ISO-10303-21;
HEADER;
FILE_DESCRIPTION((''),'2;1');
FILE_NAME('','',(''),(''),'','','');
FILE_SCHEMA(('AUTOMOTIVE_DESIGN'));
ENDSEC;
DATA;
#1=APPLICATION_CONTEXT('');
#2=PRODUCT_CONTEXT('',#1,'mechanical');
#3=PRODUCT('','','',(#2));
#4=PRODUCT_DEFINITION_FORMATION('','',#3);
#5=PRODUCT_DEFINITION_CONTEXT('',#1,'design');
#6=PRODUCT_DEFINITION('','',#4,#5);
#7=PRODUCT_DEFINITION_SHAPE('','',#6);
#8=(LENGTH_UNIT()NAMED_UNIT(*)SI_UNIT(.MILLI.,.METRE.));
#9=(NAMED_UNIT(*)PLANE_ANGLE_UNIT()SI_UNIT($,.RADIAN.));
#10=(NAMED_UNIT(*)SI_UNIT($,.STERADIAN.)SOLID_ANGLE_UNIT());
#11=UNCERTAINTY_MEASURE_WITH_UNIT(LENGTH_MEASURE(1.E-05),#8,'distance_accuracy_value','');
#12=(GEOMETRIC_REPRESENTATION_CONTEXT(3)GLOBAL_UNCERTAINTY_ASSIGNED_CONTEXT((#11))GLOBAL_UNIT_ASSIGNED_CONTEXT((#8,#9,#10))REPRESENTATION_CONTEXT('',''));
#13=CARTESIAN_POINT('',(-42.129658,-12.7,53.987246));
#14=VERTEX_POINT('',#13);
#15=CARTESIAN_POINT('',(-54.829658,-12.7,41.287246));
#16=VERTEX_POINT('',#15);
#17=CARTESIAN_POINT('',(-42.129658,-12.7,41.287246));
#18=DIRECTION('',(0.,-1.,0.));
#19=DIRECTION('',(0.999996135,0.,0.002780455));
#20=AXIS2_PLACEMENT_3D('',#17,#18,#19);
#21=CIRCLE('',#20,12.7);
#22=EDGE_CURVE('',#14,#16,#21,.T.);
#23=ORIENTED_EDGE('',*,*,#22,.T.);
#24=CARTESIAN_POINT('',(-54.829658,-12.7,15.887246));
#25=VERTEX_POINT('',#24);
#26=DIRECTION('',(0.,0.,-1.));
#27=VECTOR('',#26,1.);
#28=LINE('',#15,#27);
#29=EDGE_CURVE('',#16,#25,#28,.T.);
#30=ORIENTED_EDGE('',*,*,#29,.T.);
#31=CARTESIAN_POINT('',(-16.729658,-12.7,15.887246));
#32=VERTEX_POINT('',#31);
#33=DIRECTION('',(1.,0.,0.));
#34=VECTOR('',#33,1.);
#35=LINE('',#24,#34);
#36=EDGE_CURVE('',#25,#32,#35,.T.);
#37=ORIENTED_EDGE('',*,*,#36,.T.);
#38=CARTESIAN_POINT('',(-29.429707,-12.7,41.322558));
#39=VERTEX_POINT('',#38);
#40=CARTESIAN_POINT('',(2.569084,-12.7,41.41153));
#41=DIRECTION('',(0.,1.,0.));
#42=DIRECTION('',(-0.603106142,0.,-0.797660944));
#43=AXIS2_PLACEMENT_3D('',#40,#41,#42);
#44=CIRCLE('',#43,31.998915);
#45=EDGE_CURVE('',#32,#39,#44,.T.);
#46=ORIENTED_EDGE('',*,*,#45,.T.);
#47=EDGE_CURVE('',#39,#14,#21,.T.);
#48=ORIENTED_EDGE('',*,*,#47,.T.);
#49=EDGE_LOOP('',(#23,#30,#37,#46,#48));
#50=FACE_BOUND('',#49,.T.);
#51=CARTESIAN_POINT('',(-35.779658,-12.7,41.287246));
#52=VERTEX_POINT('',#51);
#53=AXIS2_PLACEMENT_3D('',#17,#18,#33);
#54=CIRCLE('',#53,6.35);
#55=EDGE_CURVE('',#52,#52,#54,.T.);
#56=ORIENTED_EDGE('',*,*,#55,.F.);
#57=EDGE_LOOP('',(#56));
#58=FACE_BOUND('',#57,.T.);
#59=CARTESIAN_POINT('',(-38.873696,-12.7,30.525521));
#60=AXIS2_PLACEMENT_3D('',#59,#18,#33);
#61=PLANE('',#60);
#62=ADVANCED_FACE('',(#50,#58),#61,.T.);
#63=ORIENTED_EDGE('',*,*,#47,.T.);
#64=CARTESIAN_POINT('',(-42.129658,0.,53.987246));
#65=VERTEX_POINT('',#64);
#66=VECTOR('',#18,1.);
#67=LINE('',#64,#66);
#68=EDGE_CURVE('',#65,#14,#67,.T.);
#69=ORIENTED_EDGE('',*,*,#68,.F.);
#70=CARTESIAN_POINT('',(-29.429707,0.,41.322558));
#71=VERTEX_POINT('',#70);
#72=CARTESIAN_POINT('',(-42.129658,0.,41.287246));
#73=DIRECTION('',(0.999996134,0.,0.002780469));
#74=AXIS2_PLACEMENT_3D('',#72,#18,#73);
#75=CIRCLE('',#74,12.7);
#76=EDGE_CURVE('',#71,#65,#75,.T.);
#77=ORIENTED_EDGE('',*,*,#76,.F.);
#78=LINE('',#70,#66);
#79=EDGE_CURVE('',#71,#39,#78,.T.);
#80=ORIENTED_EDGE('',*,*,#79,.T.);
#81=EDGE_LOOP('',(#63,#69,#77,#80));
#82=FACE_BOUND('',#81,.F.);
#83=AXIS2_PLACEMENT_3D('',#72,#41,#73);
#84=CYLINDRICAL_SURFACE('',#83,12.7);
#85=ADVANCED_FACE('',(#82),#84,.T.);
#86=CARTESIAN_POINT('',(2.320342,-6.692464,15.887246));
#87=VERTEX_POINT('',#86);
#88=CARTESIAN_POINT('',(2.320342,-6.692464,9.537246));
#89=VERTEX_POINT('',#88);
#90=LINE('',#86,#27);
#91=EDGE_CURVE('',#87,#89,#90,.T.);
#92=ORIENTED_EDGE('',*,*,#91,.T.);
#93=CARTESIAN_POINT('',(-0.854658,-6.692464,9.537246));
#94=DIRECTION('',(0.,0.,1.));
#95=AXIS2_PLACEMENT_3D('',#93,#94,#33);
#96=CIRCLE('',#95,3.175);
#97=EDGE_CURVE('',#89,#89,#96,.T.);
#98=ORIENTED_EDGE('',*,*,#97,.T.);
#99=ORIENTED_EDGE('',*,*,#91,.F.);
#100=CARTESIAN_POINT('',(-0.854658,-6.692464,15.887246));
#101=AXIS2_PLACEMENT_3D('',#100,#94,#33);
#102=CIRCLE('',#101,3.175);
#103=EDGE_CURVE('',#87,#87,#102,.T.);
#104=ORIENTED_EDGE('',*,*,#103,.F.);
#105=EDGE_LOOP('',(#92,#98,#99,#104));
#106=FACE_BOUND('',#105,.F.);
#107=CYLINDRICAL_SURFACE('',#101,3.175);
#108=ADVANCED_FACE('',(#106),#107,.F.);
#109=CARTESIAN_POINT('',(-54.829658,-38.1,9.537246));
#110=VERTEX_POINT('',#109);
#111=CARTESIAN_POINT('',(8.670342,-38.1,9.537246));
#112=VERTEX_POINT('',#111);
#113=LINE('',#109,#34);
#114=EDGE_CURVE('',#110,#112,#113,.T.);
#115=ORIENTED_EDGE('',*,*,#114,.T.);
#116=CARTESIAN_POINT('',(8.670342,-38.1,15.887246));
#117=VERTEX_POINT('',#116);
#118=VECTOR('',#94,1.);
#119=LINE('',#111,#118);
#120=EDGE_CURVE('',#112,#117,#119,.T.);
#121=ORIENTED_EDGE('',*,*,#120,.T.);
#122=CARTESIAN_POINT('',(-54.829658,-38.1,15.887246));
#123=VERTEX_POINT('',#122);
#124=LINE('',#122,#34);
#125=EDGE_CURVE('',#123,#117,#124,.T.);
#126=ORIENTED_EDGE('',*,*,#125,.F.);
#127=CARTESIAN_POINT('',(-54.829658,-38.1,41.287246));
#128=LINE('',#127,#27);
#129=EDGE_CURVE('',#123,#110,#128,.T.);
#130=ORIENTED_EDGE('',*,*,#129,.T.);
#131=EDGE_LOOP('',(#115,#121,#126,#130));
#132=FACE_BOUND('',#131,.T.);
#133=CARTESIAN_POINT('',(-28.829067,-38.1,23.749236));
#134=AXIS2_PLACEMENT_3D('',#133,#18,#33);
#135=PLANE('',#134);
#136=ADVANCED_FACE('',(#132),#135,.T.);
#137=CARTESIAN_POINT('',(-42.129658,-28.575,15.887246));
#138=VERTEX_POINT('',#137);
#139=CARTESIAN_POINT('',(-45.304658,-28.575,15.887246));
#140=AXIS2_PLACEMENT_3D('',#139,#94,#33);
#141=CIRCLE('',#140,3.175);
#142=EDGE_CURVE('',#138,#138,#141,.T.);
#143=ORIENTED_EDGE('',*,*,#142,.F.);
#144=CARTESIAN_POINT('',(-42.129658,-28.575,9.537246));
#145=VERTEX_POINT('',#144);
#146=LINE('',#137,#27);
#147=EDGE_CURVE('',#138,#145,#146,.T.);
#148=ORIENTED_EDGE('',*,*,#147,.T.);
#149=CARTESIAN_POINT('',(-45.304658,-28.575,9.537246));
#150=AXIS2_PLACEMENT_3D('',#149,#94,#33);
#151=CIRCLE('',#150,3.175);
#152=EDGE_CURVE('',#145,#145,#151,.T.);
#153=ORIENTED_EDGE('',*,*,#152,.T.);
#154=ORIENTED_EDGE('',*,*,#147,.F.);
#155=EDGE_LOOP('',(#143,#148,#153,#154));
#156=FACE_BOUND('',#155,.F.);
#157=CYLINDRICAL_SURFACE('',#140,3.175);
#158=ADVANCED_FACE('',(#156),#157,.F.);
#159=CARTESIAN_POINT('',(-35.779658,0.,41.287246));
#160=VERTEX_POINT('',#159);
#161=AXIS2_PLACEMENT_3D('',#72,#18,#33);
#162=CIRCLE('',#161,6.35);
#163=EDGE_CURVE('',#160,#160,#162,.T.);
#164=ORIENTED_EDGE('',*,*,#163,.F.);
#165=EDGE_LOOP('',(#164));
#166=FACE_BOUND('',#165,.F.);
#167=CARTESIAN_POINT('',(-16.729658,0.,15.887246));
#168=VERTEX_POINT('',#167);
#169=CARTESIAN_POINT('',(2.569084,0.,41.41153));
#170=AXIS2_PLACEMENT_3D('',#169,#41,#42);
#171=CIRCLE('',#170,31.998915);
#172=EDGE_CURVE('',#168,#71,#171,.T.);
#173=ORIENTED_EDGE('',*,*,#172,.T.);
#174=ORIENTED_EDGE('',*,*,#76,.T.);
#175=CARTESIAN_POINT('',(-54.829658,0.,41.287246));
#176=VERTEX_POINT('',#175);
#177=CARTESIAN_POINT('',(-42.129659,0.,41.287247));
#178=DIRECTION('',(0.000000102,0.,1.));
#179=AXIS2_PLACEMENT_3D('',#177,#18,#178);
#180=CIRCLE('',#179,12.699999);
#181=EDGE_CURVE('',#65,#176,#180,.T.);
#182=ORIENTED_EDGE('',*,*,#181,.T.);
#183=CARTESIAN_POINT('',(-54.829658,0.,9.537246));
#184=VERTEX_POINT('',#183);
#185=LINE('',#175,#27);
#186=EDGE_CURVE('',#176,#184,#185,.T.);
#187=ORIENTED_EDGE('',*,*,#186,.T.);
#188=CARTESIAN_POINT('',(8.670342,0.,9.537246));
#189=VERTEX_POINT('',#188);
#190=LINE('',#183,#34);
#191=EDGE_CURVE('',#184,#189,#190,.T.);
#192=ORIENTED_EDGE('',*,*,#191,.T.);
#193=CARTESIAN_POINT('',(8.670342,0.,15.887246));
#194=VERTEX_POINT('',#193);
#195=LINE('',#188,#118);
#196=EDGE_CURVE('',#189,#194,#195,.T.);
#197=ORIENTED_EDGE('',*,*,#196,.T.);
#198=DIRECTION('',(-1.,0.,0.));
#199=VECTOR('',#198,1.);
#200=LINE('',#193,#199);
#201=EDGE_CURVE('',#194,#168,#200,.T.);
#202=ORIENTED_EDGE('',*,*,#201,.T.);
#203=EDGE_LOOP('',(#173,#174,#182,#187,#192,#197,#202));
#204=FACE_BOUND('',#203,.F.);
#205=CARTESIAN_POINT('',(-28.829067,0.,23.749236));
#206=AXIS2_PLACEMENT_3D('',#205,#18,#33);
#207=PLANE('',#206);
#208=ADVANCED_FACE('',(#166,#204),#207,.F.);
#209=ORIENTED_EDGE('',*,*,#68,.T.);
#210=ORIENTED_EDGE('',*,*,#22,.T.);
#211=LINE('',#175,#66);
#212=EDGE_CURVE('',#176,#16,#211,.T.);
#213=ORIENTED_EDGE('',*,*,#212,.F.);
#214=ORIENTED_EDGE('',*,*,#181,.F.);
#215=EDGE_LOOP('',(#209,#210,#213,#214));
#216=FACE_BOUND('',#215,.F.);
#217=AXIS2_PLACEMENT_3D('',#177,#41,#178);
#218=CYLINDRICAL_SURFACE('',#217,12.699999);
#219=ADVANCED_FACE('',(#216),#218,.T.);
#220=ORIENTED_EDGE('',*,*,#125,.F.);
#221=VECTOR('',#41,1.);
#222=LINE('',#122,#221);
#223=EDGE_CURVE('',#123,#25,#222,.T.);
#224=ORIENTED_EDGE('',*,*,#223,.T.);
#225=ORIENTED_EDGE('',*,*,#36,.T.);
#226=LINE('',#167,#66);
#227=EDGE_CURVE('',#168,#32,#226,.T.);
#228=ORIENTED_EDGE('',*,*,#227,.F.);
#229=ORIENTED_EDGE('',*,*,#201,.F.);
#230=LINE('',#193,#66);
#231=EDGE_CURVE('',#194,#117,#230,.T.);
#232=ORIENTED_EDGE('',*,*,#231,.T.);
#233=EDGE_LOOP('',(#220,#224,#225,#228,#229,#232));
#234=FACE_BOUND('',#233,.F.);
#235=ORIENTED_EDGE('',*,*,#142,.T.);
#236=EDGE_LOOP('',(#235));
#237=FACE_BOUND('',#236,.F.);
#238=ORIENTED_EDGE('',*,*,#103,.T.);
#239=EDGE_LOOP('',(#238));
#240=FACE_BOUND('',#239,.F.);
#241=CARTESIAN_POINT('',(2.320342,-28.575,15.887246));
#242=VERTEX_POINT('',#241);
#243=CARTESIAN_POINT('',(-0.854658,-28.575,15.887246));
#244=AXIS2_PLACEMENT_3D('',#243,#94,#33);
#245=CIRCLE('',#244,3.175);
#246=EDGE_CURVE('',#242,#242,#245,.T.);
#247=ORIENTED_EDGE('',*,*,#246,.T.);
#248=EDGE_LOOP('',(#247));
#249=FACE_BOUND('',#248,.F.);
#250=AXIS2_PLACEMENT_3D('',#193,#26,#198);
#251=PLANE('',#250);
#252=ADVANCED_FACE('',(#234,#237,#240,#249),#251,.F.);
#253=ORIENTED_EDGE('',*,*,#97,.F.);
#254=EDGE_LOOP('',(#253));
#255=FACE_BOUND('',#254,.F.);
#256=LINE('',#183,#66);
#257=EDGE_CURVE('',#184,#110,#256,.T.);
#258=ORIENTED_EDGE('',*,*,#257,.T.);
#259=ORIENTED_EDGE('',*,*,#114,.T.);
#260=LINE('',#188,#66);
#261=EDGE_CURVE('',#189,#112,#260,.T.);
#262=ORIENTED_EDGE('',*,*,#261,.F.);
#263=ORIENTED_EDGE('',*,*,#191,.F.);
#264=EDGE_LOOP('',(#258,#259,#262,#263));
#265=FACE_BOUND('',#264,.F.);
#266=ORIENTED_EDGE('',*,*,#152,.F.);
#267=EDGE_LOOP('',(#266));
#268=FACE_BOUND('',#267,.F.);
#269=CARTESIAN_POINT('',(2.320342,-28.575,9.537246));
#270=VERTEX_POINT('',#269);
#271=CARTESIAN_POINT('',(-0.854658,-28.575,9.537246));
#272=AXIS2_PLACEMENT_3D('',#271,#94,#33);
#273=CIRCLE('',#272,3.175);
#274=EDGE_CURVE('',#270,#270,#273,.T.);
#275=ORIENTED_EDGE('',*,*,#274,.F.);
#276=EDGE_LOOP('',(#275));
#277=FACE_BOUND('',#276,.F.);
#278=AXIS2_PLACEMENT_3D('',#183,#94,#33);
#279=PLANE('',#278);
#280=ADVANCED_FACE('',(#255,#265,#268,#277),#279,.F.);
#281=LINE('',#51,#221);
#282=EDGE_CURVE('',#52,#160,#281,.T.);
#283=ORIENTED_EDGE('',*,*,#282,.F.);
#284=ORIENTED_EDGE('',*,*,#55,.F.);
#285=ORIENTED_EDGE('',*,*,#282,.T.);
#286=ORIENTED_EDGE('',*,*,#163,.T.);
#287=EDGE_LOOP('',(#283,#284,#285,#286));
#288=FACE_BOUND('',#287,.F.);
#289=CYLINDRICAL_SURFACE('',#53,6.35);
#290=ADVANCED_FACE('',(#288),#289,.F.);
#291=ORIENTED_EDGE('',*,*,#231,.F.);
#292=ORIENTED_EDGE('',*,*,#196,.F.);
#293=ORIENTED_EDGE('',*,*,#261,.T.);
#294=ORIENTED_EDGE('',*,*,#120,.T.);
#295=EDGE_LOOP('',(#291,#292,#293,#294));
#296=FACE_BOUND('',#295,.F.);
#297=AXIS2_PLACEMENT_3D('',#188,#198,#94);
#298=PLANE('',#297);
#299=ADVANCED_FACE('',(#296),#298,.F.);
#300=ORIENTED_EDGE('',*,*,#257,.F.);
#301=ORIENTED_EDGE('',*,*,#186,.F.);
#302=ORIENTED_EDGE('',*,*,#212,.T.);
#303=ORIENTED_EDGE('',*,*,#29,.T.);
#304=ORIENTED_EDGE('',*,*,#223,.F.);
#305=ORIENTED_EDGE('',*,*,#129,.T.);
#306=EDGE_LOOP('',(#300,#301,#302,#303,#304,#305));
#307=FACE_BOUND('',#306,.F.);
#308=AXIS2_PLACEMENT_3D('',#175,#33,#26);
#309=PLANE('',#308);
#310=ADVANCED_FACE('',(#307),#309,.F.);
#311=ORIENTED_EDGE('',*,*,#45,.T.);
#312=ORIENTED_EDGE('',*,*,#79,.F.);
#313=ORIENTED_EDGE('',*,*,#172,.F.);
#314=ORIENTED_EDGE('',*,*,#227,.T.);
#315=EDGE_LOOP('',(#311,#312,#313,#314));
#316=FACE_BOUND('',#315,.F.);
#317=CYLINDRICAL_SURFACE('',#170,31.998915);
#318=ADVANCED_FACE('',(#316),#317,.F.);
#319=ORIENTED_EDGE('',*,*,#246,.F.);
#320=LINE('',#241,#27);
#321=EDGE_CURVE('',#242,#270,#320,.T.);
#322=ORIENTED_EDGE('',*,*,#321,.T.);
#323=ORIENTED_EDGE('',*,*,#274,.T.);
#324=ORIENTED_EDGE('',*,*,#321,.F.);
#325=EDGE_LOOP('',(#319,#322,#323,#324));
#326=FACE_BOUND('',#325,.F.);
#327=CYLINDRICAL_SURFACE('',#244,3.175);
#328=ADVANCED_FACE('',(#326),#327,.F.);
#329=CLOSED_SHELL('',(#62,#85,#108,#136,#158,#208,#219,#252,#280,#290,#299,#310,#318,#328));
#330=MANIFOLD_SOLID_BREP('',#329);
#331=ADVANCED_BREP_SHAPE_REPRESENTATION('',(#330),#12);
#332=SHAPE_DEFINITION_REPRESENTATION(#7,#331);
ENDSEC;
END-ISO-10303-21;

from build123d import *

# Parameters (mm, degrees)
F1_DEPTH = 38.1
F3_DEPTH = 25.4
F4_R     = 6.35
F5_DEPTH = 12.701
F6_R     = 3.175
F7_DEPTH = 6.351


with BuildPart() as f1:
    # F0 (on Front) → F1 (new body)
    with BuildSketch(Plane.XZ):
        with BuildLine():
            ThreePointArc((-42.129658, 53.987246), (-51.109914, 50.267503), (-54.829658, 41.287246))
            Line((-54.829658, 41.287246), (-54.829658, 9.537246))
            Line((-54.829658, 9.537246), (8.670342, 9.537246))
            Line((8.670342, 9.537246), (8.670342, 15.887246))
            Line((8.670342, 15.887246), (-16.729658, 15.887246))
            ThreePointArc((-16.729658, 15.887246), (-26.059538, 27.117037), (-29.429707, 41.322558))
            ThreePointArc((-29.429707, 41.322558), (-33.161895, 50.279978), (-42.129658, 53.987246))
        make_face()
    extrude(amount=F1_DEPTH)

    # F2 (on face) → F3 (cut)
    with BuildSketch(Plane.XZ.offset(38.1)):
        with BuildLine():
            Line((-54.829658, 15.887246), (-16.729658, 15.887246))
            ThreePointArc((-16.729658, 15.887246), (-26.059538, 27.117037), (-29.429707, 41.322558))
            ThreePointArc((-29.429707, 41.322558), (-42.147313, 53.987234), (-54.829658, 41.287246))
            Line((-54.829658, 41.287246), (-54.829658, 15.887246))
        make_face()
    extrude(amount=-F3_DEPTH, mode=Mode.SUBTRACT)

    # F4 (on face) → F5 (cut, through all)
    with BuildSketch(Plane.XZ.offset(12.7)):
        with Locations((-42.129658, 41.287246)):
            Circle(F4_R)
    extrude(amount=-F5_DEPTH, mode=Mode.SUBTRACT)

    # F6 (on face) → F7 (cut, through all)
    with BuildSketch(Plane.XY.offset(15.887246)):
        with Locations((-0.854658, -6.692464)):
            Circle(F6_R)
        with Locations((-0.854658, -28.575)):
            Circle(F6_R)
        with Locations((-45.304658, -28.575)):
            Circle(F6_R)
    extrude(amount=-F7_DEPTH, mode=Mode.SUBTRACT)


solid = f1.part
